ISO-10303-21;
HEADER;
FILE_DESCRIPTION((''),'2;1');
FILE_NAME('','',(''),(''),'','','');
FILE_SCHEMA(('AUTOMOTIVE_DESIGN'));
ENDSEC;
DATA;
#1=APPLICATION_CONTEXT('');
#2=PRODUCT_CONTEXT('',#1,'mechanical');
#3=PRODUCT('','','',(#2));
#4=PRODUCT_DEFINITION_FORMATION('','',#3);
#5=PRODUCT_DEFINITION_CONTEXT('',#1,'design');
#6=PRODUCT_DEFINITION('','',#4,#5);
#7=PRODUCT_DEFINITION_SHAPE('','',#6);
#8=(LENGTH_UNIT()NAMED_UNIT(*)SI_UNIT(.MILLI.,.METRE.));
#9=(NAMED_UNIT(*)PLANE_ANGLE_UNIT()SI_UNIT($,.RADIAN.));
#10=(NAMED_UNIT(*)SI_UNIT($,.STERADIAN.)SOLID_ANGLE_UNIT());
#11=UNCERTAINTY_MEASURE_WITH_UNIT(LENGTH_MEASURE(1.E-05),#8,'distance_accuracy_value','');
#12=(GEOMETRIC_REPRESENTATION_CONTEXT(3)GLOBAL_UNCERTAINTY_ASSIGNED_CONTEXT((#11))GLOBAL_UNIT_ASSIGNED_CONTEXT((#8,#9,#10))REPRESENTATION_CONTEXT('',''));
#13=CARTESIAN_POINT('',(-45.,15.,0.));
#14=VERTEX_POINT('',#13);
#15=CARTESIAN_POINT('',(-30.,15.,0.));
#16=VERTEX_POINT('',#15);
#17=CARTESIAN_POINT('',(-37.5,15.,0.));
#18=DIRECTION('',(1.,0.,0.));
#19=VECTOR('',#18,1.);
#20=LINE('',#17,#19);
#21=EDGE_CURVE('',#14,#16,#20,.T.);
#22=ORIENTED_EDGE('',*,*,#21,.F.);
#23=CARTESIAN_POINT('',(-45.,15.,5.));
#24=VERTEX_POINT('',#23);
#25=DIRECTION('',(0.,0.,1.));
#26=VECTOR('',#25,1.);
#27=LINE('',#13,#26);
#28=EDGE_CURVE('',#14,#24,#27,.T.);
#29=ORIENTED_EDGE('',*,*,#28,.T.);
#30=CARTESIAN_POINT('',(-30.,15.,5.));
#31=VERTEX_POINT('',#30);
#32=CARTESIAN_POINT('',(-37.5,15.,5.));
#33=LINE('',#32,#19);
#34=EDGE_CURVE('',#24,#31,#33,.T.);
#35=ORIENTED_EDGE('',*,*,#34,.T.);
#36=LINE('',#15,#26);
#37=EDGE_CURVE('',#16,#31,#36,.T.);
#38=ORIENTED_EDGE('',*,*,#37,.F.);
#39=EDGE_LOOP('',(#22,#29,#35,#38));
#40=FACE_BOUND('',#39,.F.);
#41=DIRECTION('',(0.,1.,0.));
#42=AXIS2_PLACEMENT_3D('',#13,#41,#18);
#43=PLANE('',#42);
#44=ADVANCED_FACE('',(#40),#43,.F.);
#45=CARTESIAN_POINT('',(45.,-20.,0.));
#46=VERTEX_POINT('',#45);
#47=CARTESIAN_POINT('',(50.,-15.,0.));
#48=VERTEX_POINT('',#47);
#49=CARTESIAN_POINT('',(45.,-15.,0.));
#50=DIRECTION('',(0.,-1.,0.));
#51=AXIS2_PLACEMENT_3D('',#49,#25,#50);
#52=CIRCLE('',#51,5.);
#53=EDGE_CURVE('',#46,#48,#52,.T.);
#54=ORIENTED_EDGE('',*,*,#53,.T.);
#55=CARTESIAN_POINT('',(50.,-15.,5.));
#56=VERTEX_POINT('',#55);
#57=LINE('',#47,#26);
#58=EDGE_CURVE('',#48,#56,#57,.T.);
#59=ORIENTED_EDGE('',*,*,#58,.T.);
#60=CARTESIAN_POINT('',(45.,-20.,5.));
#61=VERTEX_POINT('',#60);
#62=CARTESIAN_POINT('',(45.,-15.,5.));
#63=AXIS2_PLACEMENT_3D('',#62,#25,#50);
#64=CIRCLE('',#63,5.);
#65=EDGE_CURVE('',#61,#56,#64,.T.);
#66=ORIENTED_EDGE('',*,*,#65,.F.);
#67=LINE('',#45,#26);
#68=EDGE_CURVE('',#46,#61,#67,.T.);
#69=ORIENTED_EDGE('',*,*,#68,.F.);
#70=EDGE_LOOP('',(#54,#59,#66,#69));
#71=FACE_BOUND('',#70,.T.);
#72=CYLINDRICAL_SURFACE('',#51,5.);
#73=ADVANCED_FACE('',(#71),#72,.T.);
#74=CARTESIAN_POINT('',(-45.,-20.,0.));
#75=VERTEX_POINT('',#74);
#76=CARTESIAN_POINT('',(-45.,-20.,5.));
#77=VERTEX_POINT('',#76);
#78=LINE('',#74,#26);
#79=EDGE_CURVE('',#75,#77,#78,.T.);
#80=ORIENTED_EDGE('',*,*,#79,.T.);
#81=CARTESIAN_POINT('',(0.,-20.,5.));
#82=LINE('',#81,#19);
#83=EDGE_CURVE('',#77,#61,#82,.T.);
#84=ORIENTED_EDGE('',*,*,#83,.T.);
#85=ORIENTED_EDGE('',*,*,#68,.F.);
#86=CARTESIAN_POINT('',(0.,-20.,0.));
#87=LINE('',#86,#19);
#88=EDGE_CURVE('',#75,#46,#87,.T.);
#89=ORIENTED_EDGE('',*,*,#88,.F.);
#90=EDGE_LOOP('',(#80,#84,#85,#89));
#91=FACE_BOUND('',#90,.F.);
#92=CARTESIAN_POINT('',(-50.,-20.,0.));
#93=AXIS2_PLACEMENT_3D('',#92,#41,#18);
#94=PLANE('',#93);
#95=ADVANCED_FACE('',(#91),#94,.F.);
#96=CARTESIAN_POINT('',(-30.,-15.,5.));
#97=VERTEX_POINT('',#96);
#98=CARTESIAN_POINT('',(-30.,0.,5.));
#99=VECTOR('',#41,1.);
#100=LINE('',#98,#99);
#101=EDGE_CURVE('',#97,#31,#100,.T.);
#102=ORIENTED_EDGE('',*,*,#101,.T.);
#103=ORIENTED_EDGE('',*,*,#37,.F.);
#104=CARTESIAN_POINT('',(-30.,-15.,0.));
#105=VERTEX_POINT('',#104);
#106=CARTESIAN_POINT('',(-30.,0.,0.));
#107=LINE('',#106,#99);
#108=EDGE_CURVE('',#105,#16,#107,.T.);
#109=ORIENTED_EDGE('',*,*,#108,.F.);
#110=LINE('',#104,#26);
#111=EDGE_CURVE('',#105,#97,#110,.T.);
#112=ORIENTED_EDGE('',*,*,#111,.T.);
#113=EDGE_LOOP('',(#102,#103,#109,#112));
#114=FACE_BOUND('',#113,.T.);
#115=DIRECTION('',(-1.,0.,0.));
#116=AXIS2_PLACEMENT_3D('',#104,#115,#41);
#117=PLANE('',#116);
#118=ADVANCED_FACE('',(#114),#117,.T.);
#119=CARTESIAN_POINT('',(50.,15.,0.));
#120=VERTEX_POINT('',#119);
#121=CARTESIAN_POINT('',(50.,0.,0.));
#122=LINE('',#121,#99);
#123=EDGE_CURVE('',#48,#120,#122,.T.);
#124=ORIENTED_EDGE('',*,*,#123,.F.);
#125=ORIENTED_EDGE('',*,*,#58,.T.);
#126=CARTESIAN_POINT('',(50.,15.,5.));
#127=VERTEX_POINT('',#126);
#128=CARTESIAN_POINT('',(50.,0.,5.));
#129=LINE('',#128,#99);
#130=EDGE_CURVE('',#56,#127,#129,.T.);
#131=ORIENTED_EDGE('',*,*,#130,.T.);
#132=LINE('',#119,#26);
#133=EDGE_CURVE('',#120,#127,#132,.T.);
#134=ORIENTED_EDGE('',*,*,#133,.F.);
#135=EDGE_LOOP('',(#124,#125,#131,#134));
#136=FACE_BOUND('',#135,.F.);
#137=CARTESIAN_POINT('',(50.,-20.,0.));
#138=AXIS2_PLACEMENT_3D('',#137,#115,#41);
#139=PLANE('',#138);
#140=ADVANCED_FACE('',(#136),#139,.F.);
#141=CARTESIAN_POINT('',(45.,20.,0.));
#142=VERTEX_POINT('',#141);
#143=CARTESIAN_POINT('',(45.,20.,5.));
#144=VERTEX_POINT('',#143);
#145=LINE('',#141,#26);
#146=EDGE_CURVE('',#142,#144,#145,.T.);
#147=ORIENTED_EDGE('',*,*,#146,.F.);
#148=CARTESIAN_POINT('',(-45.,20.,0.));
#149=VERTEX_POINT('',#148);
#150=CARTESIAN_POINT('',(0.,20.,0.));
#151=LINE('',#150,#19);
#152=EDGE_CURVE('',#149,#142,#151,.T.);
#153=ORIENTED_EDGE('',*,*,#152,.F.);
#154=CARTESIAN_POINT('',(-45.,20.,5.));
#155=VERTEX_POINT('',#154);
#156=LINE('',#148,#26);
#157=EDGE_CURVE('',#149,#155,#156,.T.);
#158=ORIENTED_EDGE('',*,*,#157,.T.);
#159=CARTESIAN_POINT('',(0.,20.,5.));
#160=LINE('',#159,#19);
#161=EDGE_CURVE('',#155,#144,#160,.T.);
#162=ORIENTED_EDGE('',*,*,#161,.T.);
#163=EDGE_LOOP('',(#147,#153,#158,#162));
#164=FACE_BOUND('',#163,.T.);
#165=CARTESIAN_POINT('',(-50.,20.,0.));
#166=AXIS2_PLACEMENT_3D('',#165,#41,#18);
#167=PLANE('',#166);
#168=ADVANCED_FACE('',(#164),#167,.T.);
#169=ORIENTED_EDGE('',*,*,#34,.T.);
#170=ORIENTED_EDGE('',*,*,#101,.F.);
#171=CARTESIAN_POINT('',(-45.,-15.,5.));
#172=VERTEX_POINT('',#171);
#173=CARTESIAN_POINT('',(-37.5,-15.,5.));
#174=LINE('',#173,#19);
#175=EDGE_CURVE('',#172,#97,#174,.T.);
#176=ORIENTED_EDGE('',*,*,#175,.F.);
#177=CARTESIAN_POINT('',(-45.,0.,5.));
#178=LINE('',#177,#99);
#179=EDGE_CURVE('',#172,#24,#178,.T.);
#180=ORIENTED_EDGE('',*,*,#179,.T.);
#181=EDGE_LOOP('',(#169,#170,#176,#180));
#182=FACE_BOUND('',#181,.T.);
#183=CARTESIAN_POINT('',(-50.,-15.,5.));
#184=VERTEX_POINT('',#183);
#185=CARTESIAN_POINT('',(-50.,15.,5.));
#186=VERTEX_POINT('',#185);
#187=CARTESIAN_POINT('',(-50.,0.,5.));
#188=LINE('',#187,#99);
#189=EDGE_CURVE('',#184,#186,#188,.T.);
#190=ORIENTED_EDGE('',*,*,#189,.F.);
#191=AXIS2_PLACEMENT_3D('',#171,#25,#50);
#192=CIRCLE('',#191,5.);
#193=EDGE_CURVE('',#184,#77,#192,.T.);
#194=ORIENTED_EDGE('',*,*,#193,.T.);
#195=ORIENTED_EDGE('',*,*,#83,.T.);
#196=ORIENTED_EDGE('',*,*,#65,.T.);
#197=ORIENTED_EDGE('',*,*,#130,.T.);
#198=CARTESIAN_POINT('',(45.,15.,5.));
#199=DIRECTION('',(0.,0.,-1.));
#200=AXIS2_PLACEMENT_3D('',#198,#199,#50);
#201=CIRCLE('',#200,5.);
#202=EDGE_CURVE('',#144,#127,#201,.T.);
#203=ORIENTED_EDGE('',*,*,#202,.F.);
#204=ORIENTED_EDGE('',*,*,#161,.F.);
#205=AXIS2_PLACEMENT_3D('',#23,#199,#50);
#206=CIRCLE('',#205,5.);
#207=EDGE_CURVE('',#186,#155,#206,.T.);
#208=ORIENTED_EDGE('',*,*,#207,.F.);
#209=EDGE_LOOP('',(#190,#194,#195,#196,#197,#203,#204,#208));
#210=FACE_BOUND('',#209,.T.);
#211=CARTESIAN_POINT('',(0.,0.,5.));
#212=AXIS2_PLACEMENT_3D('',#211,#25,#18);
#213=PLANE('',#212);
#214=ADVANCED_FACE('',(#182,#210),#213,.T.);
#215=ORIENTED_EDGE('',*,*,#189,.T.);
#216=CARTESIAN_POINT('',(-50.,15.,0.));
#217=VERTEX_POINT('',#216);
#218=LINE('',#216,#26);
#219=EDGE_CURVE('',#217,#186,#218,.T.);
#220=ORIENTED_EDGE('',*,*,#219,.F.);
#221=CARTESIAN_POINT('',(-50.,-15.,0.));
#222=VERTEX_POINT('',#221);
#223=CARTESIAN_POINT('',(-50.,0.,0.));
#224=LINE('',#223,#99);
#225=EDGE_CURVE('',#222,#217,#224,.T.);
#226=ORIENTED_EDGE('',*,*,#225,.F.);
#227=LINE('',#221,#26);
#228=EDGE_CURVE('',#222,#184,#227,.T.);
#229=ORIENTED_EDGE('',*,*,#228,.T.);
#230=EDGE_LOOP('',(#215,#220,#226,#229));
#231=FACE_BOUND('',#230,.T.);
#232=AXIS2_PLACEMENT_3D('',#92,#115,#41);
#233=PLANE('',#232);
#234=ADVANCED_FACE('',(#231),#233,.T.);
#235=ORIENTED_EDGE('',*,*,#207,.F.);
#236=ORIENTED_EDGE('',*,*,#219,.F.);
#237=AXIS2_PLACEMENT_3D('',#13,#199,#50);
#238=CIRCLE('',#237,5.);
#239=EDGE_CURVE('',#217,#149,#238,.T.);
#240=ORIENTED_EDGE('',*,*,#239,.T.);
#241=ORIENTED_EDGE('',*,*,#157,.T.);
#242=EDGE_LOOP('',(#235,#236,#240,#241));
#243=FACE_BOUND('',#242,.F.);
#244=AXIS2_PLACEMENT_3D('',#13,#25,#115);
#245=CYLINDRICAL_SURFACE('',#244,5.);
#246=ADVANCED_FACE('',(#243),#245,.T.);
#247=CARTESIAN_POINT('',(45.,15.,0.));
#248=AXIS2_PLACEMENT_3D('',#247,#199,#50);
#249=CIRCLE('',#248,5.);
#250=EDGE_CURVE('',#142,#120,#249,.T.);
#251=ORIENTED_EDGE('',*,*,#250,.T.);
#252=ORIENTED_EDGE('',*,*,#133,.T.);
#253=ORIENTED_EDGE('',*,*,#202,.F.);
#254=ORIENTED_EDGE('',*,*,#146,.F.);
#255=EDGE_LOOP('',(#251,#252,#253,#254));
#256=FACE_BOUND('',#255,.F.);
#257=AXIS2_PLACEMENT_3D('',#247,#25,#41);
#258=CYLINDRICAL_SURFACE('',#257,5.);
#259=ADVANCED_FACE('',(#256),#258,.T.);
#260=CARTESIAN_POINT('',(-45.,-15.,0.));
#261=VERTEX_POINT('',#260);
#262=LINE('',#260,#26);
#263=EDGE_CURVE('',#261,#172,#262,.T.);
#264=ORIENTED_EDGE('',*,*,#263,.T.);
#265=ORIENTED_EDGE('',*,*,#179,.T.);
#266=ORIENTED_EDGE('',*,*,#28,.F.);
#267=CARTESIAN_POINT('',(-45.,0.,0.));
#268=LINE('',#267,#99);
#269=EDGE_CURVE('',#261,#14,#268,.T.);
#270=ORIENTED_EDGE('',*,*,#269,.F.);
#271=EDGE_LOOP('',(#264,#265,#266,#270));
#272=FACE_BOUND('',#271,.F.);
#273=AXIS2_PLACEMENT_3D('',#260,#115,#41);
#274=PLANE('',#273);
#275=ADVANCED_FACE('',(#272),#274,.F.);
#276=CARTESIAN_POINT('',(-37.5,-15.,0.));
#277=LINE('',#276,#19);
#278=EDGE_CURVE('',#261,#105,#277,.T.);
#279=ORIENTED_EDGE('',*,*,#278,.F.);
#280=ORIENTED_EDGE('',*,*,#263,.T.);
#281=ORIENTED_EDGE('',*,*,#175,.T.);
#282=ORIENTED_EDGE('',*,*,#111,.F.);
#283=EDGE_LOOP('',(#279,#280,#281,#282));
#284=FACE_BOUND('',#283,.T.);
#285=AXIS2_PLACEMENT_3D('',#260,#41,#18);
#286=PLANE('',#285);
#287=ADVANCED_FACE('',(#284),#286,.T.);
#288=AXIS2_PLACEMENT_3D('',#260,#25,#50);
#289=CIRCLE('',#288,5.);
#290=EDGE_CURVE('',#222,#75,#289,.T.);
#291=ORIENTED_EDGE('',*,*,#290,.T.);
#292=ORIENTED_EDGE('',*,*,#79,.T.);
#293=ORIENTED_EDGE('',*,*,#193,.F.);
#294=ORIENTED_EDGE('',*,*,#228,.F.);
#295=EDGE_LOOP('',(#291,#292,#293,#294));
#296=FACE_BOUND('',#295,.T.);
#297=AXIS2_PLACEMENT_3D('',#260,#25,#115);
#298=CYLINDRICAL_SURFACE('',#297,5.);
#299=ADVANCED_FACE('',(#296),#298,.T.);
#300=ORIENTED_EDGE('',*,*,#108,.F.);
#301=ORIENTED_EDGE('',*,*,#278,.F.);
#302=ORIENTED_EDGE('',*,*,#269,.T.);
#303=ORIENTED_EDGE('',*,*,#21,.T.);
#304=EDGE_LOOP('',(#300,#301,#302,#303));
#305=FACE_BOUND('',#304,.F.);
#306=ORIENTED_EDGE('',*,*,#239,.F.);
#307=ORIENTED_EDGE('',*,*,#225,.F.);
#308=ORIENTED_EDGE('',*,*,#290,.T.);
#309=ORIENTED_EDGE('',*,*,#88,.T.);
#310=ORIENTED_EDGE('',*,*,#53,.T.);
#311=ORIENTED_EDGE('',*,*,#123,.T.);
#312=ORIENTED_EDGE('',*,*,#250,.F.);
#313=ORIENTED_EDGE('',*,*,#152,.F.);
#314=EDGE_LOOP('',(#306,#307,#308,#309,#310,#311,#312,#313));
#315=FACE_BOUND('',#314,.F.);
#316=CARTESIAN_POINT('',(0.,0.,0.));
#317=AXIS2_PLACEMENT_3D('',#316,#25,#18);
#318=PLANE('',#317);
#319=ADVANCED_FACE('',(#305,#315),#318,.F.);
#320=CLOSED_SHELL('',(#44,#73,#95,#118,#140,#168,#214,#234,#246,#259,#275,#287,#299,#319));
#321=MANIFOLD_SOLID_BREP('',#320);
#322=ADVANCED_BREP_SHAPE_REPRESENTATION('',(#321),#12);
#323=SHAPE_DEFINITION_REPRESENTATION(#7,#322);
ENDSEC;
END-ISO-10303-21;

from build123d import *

# Parameters (mm, degrees)
F0_W     = 100
F0_H     = 40
F0_W_2   = 15
F0_H_2   = 30
F1_DEPTH = 5
F2_R     = 5


with BuildPart() as f1:
    # F0 (on Top) → F1 (new body)
    with BuildSketch(Plane.XY):
        Rectangle(F0_W, F0_H)
        with Locations((-37.5, 0)):
            Rectangle(F0_W_2, F0_H_2, mode=Mode.SUBTRACT)
    extrude(amount=F1_DEPTH)

    # F2
    f2_edges = [f1.edges().sort_by_distance(p)[0] for p in [
        (-50, -20, 2.5),
        (50, -20, 2.5),
        (50, 20, 2.5),
        (-50, 20, 2.5),
    ]]
    fillet(f2_edges, radius=F2_R)


solid = f1.part
